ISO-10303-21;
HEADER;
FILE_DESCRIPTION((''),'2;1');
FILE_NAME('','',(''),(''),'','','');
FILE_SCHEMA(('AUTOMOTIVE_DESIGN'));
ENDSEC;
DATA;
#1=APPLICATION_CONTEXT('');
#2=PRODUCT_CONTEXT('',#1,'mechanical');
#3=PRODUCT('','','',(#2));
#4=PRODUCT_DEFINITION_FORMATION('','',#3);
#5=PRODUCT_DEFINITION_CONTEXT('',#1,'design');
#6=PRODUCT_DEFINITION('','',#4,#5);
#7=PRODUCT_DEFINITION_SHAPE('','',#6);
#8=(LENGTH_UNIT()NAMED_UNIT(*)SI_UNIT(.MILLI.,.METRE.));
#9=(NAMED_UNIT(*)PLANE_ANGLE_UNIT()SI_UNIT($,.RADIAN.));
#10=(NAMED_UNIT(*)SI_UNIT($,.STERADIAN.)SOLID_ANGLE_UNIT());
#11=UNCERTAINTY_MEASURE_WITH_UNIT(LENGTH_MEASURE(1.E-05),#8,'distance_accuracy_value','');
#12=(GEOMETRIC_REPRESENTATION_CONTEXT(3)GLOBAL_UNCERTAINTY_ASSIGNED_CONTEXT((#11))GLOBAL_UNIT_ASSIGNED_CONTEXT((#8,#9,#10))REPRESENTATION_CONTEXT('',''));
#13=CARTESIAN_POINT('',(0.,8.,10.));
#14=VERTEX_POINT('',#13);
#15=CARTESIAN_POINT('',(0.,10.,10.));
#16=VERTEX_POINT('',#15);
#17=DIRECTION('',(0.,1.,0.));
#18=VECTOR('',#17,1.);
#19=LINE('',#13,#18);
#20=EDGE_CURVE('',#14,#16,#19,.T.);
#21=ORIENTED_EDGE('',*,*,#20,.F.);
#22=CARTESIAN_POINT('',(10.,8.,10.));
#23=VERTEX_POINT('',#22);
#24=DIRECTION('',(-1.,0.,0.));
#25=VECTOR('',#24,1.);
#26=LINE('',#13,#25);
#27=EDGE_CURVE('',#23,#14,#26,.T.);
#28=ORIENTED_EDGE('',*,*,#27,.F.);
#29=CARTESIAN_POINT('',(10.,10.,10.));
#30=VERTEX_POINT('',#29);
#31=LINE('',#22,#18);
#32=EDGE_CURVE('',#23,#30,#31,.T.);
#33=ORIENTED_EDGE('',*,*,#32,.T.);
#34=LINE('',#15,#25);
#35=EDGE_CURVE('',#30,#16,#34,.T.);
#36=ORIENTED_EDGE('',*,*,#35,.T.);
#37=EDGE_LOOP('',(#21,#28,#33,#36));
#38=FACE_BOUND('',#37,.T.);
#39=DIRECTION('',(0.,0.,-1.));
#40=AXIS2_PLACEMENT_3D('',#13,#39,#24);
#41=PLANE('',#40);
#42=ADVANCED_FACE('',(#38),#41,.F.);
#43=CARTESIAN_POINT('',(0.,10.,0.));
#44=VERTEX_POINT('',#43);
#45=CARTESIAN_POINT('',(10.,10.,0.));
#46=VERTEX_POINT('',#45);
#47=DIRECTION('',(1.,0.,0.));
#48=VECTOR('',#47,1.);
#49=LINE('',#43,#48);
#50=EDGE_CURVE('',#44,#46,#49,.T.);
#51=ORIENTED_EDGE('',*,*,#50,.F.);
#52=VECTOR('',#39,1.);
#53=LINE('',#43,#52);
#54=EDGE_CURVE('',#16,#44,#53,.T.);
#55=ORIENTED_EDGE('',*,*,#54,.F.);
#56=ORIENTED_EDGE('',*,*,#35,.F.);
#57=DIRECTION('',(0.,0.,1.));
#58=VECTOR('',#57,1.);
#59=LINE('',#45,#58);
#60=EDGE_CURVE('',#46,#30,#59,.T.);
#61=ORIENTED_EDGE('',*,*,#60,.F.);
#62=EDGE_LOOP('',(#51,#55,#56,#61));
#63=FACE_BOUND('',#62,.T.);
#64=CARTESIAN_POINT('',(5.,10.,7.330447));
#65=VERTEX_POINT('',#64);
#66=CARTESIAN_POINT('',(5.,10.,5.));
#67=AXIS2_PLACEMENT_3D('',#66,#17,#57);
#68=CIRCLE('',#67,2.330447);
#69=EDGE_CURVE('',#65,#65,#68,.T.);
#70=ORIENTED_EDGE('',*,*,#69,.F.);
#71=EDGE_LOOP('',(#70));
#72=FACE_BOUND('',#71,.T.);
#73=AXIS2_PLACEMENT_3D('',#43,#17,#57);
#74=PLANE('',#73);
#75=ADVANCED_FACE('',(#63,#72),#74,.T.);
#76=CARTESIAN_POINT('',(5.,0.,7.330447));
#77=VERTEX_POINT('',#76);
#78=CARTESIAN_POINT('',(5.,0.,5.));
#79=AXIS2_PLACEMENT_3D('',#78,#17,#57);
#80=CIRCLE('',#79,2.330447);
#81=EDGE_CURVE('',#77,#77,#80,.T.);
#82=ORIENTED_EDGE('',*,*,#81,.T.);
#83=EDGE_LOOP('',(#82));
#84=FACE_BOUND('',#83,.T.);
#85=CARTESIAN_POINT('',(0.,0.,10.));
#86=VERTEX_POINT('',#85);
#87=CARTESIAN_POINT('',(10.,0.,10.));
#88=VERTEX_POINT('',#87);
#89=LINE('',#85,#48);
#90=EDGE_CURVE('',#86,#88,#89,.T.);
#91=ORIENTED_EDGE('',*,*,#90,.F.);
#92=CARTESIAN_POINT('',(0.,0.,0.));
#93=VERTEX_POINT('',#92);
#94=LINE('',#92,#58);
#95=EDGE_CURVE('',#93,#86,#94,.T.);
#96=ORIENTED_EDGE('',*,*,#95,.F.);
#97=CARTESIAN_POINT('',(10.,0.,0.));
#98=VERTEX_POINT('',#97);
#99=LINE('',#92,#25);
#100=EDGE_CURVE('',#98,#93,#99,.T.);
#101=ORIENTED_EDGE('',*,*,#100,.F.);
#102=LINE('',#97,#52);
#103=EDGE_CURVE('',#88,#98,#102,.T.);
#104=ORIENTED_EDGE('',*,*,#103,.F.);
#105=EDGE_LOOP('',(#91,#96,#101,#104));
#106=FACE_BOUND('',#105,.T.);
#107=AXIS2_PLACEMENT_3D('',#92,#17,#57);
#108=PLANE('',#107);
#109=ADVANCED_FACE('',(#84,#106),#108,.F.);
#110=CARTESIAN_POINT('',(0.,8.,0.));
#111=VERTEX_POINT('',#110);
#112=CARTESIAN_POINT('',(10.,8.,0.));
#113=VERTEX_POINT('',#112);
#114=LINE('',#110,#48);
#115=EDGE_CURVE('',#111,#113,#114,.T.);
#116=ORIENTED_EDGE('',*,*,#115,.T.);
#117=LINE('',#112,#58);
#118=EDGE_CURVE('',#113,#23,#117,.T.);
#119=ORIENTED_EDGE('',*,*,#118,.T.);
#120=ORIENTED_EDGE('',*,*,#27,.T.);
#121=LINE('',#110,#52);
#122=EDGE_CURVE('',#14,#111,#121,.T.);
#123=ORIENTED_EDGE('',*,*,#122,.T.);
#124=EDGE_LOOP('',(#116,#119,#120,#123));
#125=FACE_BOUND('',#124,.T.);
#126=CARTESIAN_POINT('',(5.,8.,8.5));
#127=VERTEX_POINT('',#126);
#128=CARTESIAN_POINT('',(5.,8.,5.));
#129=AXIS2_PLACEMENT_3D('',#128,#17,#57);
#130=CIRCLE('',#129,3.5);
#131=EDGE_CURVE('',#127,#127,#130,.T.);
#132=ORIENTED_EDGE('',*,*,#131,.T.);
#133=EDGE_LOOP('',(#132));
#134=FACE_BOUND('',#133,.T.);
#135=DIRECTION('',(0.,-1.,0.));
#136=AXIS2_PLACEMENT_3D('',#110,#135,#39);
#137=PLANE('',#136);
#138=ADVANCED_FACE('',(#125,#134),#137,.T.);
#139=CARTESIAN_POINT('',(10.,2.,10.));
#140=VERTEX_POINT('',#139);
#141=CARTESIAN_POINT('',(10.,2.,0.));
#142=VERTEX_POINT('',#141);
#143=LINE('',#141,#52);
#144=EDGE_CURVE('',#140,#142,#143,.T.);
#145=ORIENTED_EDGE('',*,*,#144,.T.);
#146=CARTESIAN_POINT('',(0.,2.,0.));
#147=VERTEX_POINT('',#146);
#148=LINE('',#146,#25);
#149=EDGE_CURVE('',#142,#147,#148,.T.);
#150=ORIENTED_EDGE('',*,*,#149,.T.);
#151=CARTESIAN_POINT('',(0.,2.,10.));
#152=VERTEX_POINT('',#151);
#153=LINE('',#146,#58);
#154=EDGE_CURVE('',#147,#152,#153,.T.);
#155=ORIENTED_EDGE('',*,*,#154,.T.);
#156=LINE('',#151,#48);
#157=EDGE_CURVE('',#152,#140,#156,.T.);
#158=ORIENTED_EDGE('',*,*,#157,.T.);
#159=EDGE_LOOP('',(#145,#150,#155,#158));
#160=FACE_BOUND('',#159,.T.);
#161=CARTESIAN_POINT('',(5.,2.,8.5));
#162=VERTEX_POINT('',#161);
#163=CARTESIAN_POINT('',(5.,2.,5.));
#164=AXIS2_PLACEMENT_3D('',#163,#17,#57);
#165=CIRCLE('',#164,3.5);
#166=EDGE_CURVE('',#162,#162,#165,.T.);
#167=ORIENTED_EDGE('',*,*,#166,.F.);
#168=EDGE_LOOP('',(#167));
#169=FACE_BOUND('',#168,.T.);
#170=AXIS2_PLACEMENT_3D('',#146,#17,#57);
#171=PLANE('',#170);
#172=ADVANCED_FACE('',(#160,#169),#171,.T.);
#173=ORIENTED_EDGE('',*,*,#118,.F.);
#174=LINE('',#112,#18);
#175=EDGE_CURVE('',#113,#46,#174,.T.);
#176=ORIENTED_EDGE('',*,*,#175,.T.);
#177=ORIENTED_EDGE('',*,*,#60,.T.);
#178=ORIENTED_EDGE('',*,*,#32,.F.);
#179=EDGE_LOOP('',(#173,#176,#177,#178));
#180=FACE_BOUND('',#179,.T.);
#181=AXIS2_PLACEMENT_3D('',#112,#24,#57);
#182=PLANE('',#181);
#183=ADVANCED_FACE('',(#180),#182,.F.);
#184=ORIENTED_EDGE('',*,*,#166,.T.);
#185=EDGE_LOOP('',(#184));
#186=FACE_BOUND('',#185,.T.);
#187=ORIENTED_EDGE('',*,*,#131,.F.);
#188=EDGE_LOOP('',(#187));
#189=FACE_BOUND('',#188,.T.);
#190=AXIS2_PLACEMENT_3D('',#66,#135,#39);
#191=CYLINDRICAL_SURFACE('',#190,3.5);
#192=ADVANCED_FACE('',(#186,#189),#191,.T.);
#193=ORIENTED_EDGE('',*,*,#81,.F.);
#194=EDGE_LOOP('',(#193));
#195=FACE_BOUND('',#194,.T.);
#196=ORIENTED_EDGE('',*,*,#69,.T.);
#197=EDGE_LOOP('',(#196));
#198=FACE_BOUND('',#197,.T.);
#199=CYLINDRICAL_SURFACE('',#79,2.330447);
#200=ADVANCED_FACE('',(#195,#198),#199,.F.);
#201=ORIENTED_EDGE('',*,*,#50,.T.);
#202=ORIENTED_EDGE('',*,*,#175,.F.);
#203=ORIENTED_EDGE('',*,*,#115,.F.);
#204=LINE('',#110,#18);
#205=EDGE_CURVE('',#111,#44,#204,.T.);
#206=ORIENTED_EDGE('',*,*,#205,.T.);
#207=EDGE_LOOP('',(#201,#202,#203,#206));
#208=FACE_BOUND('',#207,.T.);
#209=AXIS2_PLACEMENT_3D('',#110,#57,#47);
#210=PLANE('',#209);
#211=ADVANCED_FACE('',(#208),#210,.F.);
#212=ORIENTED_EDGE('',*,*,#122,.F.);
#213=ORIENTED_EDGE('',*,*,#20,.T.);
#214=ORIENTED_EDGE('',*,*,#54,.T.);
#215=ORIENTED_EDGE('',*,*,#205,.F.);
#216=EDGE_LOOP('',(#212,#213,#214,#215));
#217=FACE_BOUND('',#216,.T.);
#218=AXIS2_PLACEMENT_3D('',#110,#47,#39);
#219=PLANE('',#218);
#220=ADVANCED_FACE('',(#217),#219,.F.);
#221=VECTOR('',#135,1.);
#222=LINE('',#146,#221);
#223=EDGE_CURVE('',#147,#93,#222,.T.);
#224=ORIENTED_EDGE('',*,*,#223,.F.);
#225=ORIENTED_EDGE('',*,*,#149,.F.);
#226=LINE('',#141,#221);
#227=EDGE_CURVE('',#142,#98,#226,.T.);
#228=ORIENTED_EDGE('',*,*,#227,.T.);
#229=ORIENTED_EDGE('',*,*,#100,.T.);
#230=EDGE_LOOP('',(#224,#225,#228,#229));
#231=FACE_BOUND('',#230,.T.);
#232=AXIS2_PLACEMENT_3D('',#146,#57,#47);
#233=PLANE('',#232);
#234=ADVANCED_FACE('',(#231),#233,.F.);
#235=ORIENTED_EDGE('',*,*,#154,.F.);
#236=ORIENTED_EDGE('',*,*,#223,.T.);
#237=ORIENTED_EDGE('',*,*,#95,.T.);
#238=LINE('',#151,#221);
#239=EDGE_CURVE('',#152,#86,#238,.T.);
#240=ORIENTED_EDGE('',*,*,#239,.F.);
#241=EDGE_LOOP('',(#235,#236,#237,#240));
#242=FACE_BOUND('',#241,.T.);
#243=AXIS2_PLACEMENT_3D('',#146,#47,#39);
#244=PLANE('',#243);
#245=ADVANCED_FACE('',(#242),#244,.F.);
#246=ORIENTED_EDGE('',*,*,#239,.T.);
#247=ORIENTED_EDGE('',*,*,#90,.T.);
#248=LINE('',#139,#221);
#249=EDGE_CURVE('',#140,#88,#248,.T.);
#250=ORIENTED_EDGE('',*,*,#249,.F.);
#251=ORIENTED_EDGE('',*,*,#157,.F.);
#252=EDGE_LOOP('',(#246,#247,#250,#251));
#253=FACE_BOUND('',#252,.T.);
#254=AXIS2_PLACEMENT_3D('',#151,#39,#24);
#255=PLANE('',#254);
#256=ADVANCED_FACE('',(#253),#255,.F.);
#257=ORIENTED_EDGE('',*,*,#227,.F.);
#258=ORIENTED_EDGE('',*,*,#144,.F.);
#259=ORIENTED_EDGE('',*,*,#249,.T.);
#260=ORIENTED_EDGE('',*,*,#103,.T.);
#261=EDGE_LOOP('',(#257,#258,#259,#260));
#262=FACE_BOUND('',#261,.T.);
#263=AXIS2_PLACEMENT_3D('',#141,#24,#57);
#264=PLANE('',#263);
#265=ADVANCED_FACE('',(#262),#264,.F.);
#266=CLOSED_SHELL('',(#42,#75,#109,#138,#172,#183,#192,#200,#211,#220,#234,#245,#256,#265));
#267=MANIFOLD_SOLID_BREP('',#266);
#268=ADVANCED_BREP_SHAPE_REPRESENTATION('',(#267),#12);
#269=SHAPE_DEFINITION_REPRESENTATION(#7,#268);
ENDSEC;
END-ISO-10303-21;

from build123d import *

# Parameters (mm, degrees)
SKETCH1_W           = 10
SKETCH1_H           = 10
SKETCH1_R           = 3.5
BOSS_EXTRUDE1_DEPTH = 2
SKETCH1_2_R         = 3.5
BOSS_EXTRUDE2_DEPTH = 10
BOSS_EXTRUDE4_START = 8
SKETCH1_4_W         = 10
SKETCH1_4_H         = 10
SKETCH1_4_R         = 3.5
BOSS_EXTRUDE4_DEPTH = 2
SKETCH2_R           = 2.330446687
CUT_EXTRUDE1_DEPTH  = 18.320508076


with BuildPart() as part:
    # Sketch1 → Boss-Extrude1 (new body)
    with BuildSketch(Plane(origin=(0, 0, 0), x_dir=(1, 0, 0), z_dir=(0, 1, 0))):
        with Locations((5, -5)):
            Rectangle(SKETCH1_W, SKETCH1_H)
        with Locations(Location((5, -5, 0), (0, 0, 270))):
            Circle(SKETCH1_R, mode=Mode.SUBTRACT)
    extrude(amount=BOSS_EXTRUDE1_DEPTH)

    # Sketch1<2> → Boss-Extrude2 (add)
    with BuildSketch(Plane(origin=(0, 0, 0), x_dir=(1, 0, 0), z_dir=(0, 1, 0))):
        with Locations(Location((5, -5, 0), (0, 0, 270))):
            Circle(SKETCH1_2_R)
    extrude(amount=BOSS_EXTRUDE2_DEPTH)

    # Sketch1<4> → Boss-Extrude4 (add)
    with BuildSketch(Plane(origin=(0, 0, 0), x_dir=(1, 0, 0), z_dir=(0, 1, 0)).offset(BOSS_EXTRUDE4_START)):
        with Locations((5, -5)):
            Rectangle(SKETCH1_4_W, SKETCH1_4_H)
        with Locations(Location((5, -5, 0), (0, 0, 270))):
            Circle(SKETCH1_4_R, mode=Mode.SUBTRACT)
    extrude(amount=BOSS_EXTRUDE4_DEPTH)

    # Sketch2 → Cut-Extrude1 (cut, through all)
    with BuildSketch(Plane(origin=(0, 10, 0), x_dir=(1, 0, 0), z_dir=(0, 1, 0))):
        with Locations(Location((5, -5, 0), (0, 0, 270))):
            Circle(SKETCH2_R)
    extrude(amount=-CUT_EXTRUDE1_DEPTH, mode=Mode.SUBTRACT)


solid = part.part
